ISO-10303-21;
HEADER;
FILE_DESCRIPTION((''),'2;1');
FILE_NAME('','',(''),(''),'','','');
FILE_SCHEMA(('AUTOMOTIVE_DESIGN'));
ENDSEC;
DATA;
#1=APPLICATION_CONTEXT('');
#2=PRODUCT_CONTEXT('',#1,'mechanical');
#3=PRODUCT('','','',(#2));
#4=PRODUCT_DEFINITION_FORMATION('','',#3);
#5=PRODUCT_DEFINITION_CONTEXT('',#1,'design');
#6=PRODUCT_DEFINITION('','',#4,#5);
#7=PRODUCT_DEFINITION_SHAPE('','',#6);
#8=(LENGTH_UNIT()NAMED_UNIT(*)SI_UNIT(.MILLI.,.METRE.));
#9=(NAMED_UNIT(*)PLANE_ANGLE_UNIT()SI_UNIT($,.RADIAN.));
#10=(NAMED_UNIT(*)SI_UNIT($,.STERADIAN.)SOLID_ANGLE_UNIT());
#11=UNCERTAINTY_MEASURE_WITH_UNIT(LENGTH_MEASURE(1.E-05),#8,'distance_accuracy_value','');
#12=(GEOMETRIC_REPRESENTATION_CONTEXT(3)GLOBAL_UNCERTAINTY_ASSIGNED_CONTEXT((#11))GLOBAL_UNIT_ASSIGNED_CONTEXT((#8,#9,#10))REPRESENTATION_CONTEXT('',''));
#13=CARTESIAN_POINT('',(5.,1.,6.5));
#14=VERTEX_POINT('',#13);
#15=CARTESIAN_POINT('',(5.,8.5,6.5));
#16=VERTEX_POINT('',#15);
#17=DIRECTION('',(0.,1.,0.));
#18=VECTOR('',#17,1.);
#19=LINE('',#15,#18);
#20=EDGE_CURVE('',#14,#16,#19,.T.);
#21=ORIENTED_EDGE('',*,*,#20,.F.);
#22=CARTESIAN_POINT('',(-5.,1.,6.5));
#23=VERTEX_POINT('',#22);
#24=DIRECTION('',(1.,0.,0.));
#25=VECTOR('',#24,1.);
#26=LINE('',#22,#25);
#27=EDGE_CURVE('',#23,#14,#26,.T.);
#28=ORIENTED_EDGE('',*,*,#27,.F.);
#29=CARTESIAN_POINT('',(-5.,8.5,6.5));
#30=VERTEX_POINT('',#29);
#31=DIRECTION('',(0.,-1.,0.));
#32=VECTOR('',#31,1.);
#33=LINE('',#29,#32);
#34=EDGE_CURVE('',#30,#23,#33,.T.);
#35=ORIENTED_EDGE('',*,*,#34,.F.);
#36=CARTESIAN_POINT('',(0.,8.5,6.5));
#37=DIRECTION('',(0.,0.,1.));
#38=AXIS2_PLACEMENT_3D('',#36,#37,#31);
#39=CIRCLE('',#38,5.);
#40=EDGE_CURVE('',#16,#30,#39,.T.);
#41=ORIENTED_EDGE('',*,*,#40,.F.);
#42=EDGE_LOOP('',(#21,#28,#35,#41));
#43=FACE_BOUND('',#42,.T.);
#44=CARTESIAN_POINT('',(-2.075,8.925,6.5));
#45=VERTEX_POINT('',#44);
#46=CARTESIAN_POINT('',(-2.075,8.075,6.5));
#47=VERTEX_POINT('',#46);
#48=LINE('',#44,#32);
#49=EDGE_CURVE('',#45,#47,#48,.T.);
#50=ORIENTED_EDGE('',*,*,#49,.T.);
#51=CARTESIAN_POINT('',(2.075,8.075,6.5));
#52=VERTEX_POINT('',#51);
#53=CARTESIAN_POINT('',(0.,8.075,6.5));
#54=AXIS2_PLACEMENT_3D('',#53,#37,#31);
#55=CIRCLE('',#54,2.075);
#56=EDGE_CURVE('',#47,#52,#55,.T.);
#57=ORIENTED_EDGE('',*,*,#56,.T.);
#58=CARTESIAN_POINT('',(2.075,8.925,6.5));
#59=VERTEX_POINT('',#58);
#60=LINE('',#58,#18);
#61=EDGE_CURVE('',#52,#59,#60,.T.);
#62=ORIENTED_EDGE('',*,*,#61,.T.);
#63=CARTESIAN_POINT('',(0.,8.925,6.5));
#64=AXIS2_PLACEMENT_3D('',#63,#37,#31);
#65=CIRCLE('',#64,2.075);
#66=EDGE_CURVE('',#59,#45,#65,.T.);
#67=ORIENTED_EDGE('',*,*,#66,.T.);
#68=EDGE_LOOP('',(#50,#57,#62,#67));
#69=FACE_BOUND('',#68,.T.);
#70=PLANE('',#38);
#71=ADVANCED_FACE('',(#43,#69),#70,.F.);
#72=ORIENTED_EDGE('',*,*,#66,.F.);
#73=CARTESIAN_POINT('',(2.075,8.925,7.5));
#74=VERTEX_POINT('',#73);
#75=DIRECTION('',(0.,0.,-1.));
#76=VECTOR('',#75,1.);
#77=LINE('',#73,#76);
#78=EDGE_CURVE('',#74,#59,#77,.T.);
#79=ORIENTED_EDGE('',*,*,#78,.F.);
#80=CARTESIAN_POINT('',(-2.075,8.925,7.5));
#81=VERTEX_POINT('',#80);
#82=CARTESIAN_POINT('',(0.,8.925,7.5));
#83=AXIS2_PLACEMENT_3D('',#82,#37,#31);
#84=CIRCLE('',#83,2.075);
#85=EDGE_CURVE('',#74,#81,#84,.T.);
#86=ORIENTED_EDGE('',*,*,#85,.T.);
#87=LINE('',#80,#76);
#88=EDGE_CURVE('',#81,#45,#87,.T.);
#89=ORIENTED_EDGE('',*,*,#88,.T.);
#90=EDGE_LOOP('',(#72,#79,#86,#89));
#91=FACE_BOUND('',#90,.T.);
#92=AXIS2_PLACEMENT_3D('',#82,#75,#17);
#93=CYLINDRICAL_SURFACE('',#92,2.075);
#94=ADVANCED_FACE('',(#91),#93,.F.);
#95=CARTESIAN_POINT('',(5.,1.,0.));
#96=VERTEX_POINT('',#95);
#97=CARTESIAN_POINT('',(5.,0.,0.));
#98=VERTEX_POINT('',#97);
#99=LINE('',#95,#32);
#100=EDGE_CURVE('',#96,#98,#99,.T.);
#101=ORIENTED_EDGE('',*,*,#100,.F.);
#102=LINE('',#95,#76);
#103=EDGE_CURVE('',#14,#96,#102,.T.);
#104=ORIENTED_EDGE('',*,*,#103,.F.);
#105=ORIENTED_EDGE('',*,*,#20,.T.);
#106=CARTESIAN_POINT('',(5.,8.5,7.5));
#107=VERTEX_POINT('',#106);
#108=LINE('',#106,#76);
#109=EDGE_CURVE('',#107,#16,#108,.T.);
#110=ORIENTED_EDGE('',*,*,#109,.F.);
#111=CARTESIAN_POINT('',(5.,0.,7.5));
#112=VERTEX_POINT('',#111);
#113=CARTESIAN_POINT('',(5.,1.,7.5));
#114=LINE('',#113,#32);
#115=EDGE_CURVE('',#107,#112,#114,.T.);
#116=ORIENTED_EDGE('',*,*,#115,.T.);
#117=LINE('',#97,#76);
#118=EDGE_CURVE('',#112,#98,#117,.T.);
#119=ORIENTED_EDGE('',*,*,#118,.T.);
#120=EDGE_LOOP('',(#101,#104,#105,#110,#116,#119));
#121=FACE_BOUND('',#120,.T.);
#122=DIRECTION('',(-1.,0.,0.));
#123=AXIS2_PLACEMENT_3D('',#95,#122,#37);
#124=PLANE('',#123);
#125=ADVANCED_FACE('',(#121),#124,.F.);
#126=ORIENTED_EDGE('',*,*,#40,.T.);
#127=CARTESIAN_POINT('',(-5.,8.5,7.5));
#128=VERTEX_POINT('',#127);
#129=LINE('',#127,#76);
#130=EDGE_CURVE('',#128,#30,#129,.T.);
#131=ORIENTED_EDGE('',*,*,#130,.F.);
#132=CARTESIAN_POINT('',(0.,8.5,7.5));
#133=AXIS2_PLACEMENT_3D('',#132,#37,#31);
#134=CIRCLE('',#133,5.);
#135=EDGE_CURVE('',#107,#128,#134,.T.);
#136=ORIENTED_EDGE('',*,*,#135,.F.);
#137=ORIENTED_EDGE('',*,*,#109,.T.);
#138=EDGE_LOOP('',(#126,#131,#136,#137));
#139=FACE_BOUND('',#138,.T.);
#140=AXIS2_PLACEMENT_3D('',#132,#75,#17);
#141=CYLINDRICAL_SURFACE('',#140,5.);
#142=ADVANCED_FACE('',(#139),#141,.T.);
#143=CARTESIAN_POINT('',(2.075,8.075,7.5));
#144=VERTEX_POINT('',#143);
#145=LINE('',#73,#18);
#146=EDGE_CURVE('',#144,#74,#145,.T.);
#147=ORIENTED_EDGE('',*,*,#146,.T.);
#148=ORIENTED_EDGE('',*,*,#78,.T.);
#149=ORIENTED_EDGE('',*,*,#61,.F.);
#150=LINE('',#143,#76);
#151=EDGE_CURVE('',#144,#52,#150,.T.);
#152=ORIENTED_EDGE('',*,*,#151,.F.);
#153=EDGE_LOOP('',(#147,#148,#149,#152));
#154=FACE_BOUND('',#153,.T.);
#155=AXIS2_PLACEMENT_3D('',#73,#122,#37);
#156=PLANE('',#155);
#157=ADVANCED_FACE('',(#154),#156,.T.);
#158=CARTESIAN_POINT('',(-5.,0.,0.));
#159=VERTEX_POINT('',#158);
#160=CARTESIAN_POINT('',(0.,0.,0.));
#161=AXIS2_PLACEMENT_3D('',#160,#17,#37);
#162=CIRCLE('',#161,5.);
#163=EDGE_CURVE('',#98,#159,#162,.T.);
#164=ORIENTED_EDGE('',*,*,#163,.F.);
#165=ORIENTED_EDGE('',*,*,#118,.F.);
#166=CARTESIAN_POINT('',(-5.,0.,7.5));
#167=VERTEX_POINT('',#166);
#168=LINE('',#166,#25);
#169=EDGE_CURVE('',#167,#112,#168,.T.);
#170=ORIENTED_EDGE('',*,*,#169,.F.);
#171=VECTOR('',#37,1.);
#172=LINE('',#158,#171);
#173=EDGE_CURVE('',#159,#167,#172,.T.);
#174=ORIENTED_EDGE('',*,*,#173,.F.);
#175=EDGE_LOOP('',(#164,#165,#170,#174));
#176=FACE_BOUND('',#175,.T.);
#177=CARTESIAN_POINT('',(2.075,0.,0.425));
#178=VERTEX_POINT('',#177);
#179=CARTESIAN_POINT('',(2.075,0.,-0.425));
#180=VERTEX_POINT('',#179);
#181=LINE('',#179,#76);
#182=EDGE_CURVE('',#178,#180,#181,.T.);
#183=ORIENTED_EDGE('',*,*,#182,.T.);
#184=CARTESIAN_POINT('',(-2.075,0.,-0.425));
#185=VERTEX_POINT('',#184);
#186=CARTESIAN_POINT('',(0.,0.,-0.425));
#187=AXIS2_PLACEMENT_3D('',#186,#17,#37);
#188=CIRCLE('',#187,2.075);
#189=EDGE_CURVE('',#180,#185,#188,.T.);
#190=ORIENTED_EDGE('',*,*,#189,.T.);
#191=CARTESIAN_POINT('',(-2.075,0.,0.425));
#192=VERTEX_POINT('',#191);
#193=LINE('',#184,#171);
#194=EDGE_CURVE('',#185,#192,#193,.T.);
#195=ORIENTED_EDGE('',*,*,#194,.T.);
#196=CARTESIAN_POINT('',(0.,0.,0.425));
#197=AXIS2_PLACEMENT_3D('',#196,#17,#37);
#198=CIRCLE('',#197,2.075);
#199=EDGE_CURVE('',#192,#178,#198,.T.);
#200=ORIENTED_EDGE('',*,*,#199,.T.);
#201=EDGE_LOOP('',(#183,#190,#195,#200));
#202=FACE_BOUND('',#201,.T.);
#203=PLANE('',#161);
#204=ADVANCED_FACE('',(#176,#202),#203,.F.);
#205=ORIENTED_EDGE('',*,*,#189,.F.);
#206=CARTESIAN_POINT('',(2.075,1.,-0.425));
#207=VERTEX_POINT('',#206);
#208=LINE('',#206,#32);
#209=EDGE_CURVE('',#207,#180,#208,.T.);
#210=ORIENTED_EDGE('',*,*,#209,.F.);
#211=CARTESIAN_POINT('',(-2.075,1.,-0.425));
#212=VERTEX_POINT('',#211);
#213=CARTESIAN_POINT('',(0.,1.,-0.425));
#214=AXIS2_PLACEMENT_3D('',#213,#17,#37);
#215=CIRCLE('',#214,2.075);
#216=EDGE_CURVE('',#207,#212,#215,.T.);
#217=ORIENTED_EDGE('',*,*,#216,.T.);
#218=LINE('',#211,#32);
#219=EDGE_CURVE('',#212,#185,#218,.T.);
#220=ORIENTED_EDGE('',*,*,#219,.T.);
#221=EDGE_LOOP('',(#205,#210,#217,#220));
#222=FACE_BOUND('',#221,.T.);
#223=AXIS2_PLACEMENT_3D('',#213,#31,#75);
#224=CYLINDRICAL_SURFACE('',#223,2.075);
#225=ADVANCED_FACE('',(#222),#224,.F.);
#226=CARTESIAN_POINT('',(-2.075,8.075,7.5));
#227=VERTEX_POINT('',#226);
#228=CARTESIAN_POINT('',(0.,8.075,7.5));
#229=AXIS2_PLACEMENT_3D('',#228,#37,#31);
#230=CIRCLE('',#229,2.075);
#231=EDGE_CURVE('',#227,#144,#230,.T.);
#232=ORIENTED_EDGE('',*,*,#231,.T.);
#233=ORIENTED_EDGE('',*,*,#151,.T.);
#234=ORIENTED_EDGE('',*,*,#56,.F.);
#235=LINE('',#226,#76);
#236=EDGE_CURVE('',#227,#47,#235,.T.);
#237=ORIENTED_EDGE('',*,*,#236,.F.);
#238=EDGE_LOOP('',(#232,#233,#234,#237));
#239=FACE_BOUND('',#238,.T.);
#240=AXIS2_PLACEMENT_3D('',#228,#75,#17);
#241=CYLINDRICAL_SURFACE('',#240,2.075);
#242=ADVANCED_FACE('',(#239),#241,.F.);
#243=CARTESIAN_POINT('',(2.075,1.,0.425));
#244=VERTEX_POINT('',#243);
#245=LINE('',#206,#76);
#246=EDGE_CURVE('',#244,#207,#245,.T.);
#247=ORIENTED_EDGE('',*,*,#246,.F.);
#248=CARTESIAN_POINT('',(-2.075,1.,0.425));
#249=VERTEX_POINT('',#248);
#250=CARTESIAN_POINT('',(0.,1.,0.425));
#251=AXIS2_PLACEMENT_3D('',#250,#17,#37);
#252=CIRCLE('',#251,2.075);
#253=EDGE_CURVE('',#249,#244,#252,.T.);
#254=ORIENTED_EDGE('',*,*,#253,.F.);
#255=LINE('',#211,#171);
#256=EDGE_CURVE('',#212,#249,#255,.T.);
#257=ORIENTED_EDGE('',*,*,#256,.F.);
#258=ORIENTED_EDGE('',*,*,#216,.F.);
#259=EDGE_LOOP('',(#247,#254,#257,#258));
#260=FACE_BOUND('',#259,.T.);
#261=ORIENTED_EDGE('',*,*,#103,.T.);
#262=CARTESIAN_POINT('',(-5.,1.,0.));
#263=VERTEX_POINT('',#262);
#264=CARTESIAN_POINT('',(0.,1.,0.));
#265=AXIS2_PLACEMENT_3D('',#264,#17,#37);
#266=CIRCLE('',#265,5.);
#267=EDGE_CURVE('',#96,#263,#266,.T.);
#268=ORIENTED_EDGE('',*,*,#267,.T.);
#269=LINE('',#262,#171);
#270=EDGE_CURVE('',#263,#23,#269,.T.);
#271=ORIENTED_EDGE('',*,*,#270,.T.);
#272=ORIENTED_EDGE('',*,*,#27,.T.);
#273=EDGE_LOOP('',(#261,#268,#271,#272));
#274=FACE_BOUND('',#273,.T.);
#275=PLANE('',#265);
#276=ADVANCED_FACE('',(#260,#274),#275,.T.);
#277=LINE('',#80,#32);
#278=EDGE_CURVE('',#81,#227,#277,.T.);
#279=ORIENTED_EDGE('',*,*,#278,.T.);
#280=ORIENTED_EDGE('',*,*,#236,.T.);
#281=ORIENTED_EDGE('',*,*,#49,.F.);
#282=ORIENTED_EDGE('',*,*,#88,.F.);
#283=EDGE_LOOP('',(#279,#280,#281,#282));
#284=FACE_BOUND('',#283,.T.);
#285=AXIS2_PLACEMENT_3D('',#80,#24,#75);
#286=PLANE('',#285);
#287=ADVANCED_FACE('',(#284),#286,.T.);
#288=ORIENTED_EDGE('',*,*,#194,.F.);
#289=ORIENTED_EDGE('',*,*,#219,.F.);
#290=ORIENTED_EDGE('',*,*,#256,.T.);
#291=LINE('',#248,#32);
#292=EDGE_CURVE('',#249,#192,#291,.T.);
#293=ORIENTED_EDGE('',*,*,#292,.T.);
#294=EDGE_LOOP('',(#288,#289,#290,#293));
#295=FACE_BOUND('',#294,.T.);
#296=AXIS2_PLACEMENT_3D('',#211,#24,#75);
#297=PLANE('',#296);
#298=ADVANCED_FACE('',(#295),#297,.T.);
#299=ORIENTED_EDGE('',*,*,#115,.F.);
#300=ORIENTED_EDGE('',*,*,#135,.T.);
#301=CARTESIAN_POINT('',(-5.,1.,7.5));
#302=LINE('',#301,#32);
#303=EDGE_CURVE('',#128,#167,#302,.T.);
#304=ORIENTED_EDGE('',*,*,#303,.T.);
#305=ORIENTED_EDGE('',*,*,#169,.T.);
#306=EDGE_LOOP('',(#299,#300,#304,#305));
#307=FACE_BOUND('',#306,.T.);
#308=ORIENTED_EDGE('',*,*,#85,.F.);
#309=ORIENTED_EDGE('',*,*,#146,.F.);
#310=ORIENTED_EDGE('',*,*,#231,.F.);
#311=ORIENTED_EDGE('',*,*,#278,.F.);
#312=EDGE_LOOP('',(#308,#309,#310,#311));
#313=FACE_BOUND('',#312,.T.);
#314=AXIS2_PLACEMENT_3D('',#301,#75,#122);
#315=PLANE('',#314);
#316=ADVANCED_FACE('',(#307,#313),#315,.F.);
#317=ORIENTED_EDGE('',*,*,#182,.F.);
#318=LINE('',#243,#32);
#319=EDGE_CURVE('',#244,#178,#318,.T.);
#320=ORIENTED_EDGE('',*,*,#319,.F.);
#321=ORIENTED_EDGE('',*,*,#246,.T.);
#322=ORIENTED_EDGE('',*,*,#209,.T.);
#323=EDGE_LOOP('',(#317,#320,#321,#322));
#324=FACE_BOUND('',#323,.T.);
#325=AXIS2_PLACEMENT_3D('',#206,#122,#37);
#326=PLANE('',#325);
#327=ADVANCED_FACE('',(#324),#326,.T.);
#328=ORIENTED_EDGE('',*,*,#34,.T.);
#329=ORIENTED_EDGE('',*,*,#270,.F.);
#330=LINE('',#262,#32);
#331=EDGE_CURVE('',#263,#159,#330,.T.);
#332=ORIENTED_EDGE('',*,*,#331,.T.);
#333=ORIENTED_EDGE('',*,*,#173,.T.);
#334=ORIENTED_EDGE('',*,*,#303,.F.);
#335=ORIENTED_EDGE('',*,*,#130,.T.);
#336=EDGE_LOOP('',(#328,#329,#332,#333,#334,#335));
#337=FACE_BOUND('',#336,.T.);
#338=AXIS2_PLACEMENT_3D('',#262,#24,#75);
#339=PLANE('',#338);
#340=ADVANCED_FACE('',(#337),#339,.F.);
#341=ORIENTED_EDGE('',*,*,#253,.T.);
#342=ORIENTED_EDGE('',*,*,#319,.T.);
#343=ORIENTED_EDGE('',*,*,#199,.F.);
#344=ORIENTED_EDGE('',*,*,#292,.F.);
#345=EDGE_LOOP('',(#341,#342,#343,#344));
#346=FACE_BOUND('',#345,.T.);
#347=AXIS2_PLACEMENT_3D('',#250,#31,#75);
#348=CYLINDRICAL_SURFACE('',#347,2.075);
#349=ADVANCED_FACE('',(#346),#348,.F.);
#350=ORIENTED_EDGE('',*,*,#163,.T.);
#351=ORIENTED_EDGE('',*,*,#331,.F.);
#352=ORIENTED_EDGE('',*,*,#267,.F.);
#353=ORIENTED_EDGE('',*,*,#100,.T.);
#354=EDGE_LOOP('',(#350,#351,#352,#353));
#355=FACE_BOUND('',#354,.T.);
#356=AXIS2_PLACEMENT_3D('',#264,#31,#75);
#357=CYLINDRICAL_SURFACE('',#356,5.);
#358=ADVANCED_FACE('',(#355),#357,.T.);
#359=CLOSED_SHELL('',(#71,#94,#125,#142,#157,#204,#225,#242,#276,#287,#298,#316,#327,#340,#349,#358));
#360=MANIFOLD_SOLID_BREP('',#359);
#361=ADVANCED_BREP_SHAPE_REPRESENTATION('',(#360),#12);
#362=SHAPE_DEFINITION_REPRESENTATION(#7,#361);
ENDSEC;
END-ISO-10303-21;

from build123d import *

# Parameters (mm, degrees)
BOSS_EXTRUDE1_DEPTH = 1
CIRPATTERN1_COUNT   = 2
CIRPATTERN1_ANGLE   = 90


with BuildPart() as part:
    # Sketch2 → Boss-Extrude1 (new body)
    with BuildSketch(Plane(origin=(0, 0, 0), x_dir=(1, 0, 0), z_dir=(0, 1, 0))):
        with BuildLine():
            Line((-5, 0), (-5, -7.5))
            Line((-5, -7.5), (5, -7.5))
            Line((5, -7.5), (5, 0))
            ThreePointArc((5, 0), (0, 5), (-5, 0))
        make_face()
        with BuildLine():
            Line((2.075, 0.425), (2.075, -0.425))
            ThreePointArc((2.075, -0.425), (0, -2.5), (-2.075, -0.425))
            Line((-2.075, -0.425), (-2.075, 0.425))
            ThreePointArc((-2.075, 0.425), (0, 2.5), (2.075, 0.425))
        make_face(mode=Mode.SUBTRACT)
    boss_extrude1 = extrude(amount=BOSS_EXTRUDE1_DEPTH)

    # CirPattern1: Boss-Extrude1 ×2 about axis
    cirpattern1_axis = Axis((-5, 1, 7.5), (1, 0, 0))
    for i in range(1, CIRPATTERN1_COUNT):
        add(boss_extrude1.rotate(cirpattern1_axis, i * CIRPATTERN1_ANGLE / (CIRPATTERN1_COUNT - 1)))


solid = part.part
